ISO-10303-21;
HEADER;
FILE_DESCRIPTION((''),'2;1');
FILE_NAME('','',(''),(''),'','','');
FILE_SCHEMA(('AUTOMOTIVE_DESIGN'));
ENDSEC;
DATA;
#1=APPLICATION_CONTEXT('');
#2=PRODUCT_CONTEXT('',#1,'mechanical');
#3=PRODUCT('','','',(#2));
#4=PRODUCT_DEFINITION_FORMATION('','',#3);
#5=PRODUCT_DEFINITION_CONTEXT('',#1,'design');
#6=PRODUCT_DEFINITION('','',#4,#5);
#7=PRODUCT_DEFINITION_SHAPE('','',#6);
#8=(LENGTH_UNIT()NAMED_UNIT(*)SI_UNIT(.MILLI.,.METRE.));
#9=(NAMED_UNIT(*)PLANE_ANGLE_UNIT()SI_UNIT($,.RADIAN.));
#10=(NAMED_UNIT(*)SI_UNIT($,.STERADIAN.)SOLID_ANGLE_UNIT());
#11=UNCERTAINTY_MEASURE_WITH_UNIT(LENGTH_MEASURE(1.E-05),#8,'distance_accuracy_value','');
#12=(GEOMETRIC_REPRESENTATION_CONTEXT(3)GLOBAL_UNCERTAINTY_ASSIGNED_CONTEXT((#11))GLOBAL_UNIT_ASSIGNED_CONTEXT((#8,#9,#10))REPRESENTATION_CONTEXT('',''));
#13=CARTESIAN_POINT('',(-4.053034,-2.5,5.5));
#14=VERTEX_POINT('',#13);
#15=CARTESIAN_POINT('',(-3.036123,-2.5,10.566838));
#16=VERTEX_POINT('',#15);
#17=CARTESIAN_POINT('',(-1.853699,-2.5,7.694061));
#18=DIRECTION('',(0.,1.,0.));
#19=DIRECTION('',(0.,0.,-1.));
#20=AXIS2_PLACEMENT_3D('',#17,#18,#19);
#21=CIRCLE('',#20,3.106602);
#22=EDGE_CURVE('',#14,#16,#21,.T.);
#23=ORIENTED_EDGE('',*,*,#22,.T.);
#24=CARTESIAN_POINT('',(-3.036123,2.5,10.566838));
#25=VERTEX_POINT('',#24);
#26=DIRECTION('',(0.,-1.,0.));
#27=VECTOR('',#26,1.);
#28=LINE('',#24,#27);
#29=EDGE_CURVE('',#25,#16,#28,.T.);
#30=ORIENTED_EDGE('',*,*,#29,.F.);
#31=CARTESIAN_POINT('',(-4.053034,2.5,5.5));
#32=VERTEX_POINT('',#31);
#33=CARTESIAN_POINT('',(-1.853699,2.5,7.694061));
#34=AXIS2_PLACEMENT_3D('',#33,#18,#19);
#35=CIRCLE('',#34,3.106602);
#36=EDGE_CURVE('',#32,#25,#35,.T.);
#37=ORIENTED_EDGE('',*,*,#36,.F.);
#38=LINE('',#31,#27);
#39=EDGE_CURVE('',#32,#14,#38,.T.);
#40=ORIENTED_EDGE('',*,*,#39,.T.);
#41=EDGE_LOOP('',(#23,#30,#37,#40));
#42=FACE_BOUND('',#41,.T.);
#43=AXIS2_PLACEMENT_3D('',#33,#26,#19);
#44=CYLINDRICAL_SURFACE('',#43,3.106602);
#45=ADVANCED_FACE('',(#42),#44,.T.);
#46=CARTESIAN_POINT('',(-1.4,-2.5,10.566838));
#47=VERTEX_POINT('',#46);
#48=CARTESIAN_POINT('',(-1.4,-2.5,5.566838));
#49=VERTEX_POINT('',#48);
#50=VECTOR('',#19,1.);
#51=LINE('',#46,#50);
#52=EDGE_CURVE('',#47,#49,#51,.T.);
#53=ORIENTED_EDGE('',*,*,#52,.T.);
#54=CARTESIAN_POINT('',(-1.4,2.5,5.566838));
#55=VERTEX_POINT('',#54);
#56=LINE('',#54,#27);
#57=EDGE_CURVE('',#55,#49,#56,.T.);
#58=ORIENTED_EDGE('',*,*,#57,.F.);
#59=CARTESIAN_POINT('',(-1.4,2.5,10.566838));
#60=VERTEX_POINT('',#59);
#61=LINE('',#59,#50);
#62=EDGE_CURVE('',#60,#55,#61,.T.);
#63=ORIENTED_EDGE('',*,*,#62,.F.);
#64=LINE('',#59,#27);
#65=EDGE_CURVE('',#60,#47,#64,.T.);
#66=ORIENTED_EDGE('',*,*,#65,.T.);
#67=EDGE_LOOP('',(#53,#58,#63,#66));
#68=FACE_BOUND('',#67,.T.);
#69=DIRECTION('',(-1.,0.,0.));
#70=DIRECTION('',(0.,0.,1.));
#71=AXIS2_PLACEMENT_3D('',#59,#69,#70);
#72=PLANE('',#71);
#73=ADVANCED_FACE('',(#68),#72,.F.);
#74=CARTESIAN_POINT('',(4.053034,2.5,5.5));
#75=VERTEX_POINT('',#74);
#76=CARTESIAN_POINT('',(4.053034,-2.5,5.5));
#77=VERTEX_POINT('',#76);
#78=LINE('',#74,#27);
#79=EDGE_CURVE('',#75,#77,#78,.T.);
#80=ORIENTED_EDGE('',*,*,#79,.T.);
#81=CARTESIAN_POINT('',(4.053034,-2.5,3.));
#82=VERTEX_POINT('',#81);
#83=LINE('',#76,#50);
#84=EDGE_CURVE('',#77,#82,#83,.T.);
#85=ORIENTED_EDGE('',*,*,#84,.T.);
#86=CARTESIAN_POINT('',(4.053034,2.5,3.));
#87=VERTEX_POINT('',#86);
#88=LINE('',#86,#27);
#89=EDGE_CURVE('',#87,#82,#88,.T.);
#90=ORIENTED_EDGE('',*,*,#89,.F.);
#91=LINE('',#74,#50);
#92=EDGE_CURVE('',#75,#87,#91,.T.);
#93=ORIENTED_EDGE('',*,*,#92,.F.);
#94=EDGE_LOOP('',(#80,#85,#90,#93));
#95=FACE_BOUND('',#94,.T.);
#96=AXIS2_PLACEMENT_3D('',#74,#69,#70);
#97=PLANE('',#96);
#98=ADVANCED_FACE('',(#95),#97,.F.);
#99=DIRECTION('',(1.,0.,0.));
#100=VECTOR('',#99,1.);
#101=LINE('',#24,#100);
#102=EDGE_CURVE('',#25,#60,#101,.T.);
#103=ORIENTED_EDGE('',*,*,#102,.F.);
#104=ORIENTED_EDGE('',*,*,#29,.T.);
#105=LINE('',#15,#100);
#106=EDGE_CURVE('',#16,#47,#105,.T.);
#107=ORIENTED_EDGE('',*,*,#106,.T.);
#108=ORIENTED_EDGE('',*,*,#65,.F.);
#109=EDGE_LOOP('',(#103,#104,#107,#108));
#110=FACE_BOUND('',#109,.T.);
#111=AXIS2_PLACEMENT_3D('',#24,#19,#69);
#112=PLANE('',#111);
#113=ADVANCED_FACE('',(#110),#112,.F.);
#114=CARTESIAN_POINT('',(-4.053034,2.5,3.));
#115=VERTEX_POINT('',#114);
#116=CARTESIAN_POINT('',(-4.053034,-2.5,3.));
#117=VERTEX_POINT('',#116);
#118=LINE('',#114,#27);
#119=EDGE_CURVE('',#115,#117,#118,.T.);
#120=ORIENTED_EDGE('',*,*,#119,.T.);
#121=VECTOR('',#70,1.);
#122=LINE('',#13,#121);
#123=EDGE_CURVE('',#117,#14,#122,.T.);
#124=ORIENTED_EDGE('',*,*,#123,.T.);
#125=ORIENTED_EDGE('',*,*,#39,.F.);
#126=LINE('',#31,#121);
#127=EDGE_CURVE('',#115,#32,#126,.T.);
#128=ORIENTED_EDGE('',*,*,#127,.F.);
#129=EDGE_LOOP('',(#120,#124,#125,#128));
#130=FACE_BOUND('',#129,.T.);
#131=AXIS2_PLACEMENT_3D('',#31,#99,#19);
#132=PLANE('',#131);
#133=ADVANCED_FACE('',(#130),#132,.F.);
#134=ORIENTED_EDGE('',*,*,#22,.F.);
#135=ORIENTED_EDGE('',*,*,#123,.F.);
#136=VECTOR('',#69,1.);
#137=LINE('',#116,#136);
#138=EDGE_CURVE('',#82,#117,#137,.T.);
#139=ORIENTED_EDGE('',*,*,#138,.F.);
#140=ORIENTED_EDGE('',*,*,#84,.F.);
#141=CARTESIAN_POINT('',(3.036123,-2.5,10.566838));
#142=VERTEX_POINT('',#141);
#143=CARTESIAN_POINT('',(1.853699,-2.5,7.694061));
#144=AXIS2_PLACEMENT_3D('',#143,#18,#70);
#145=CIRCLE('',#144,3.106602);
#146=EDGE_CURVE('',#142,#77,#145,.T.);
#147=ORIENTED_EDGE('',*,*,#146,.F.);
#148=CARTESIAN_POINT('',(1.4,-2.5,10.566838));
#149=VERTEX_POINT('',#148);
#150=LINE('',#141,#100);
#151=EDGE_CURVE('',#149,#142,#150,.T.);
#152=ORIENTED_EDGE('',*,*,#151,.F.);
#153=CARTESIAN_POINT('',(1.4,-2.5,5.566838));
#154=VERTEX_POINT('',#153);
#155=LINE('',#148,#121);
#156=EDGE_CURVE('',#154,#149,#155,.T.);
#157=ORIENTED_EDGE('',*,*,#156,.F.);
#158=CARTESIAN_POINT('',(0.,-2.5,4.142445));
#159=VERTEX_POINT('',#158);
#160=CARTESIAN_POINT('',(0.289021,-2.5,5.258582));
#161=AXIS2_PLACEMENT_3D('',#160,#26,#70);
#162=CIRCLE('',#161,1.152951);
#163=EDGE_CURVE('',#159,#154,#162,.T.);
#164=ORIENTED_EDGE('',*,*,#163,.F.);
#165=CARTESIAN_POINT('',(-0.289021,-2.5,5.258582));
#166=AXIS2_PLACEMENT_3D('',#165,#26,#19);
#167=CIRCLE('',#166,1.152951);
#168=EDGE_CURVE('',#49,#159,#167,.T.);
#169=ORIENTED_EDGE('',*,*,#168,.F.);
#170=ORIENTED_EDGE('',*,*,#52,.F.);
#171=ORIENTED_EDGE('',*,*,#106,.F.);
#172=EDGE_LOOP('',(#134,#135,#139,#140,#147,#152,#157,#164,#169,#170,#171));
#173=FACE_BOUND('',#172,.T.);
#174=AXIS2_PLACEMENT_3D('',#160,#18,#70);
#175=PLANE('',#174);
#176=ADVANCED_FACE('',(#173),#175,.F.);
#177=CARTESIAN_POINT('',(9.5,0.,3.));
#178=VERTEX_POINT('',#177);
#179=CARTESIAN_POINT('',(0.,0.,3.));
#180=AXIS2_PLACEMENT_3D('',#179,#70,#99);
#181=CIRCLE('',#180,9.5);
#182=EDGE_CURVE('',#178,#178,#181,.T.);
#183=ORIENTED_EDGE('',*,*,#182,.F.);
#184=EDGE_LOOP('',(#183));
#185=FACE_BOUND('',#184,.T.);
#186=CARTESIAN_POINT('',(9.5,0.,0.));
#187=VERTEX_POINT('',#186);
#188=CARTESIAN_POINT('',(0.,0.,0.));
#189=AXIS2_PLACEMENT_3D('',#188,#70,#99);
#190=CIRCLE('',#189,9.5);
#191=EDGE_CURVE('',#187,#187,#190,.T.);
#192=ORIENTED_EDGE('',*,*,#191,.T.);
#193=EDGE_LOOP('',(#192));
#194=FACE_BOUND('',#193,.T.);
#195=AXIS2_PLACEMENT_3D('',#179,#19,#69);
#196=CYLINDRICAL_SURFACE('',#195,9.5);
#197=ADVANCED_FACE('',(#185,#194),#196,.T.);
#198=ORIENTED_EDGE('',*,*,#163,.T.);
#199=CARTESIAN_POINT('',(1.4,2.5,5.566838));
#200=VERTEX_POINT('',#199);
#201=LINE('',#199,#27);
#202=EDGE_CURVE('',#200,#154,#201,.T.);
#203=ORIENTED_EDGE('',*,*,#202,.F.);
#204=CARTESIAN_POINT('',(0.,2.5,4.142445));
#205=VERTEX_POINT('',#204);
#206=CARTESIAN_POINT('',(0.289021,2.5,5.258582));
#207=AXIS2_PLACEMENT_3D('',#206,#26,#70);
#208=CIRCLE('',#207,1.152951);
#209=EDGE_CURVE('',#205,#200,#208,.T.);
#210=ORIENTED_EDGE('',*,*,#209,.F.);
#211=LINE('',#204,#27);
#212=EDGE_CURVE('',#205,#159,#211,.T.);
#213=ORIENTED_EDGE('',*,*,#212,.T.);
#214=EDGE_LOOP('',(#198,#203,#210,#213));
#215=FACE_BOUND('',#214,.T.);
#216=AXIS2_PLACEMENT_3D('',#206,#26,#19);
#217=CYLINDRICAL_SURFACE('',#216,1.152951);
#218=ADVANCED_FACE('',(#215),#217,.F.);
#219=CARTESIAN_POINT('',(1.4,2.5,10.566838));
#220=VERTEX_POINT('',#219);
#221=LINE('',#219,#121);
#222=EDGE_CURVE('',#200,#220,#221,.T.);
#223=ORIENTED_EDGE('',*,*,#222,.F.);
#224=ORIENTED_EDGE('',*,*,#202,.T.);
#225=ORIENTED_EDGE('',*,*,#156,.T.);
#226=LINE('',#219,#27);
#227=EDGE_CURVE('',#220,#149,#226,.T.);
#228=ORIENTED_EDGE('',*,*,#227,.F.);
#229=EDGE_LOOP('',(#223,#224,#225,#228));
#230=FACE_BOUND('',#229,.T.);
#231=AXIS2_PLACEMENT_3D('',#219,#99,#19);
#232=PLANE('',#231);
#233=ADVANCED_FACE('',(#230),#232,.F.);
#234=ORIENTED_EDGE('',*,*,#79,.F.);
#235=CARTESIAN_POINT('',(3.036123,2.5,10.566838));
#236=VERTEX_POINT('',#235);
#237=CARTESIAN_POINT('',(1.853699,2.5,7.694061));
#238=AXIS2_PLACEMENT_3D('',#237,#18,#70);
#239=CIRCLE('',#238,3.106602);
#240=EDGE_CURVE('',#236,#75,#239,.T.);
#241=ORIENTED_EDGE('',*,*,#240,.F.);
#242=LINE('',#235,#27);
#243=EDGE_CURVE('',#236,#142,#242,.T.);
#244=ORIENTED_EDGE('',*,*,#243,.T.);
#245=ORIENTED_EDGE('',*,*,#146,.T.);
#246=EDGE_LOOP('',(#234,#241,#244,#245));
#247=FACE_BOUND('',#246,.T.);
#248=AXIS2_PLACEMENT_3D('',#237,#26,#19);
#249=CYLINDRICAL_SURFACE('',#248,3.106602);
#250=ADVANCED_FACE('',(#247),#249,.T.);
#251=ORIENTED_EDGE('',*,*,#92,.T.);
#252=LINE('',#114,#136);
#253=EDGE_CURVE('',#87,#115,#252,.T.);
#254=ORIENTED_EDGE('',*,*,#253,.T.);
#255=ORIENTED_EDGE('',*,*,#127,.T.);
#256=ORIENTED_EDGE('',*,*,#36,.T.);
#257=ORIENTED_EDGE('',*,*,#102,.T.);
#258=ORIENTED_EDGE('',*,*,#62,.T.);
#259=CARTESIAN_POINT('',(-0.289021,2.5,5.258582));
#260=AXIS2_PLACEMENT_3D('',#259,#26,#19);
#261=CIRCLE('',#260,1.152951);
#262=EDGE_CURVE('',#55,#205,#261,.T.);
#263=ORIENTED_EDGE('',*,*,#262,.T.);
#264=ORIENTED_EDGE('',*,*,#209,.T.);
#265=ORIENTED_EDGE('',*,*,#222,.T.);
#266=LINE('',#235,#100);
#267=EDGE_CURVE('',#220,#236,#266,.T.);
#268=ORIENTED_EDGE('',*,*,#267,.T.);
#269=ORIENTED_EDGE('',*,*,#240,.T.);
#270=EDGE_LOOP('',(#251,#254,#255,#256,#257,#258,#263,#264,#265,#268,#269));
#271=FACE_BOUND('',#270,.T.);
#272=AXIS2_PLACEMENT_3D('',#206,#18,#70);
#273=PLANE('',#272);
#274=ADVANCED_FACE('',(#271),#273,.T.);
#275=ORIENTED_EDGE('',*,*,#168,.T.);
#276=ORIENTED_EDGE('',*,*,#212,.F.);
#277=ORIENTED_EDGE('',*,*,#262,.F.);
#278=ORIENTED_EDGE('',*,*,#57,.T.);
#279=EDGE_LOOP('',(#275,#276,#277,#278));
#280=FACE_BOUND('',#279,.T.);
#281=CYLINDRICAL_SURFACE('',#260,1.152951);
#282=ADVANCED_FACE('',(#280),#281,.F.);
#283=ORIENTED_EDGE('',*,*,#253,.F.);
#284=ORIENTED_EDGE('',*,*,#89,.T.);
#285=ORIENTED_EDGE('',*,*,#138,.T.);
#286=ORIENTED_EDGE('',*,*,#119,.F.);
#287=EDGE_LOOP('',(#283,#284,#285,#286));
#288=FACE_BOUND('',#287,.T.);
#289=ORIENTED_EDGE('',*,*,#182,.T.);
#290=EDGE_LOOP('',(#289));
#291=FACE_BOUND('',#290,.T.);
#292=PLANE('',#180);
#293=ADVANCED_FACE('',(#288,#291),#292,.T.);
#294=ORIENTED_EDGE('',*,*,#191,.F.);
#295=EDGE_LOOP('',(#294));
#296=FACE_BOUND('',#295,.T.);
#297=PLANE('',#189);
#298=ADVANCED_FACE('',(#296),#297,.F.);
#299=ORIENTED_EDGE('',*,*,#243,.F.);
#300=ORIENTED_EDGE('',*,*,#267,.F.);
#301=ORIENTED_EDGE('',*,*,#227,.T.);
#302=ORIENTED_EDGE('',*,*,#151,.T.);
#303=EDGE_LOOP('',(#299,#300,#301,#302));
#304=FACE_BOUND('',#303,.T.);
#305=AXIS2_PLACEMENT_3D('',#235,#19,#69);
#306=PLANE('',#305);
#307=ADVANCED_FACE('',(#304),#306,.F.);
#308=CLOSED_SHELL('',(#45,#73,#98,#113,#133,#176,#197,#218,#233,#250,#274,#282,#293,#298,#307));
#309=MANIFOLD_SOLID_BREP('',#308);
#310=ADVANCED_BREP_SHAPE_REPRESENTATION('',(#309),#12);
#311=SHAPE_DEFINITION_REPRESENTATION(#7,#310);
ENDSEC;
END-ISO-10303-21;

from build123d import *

# Parameters (mm, degrees)
SKETCH1_R           = 9.5
BOSS_EXTRUDE1_DEPTH = 3
BOSS_EXTRUDE2_DEPTH = 2.5


with BuildPart() as part:
    # Sketch1 → Boss-Extrude1 (new body)
    with BuildSketch(Plane.XY):
        Circle(SKETCH1_R)
    extrude(amount=BOSS_EXTRUDE1_DEPTH)

    # Sketch3 → Boss-Extrude2 (add, symmetric)
    with BuildSketch(Plane(origin=(0, 0, 0), x_dir=(1, 0, 0), z_dir=(0, 1, 0))):
        with BuildLine():
            Line((-4.053033857, -5.5), (-4.053033857, -3))
            Line((-4.053033857, -3), (4.053033857, -3))
            Line((4.053033857, -3), (4.053033857, -5.5))
            ThreePointArc((4.053033857, -5.5), (4.899562702, -8.305363596), (3.036123017, -10.566838454))
            Line((3.036123017, -10.566838454), (1.4, -10.566838454))
            Line((1.4, -10.566838454), (1.4, -5.566838454))
            ThreePointArc((1.4, -5.566838454), (1.111291087, -4.450394141), (0, -4.142444699))
            ThreePointArc((0, -4.142444699), (-1.111291087, -4.450394141), (-1.4, -5.566838454))
            Line((-1.4, -5.566838454), (-1.4, -10.566838454))
            Line((-1.4, -10.566838454), (-3.036123017, -10.566838454))
            ThreePointArc((-3.036123017, -10.566838454), (-4.899562702, -8.305363596), (-4.053033857, -5.5))
        make_face()
    extrude(amount=BOSS_EXTRUDE2_DEPTH, both=True)


solid = part.part
